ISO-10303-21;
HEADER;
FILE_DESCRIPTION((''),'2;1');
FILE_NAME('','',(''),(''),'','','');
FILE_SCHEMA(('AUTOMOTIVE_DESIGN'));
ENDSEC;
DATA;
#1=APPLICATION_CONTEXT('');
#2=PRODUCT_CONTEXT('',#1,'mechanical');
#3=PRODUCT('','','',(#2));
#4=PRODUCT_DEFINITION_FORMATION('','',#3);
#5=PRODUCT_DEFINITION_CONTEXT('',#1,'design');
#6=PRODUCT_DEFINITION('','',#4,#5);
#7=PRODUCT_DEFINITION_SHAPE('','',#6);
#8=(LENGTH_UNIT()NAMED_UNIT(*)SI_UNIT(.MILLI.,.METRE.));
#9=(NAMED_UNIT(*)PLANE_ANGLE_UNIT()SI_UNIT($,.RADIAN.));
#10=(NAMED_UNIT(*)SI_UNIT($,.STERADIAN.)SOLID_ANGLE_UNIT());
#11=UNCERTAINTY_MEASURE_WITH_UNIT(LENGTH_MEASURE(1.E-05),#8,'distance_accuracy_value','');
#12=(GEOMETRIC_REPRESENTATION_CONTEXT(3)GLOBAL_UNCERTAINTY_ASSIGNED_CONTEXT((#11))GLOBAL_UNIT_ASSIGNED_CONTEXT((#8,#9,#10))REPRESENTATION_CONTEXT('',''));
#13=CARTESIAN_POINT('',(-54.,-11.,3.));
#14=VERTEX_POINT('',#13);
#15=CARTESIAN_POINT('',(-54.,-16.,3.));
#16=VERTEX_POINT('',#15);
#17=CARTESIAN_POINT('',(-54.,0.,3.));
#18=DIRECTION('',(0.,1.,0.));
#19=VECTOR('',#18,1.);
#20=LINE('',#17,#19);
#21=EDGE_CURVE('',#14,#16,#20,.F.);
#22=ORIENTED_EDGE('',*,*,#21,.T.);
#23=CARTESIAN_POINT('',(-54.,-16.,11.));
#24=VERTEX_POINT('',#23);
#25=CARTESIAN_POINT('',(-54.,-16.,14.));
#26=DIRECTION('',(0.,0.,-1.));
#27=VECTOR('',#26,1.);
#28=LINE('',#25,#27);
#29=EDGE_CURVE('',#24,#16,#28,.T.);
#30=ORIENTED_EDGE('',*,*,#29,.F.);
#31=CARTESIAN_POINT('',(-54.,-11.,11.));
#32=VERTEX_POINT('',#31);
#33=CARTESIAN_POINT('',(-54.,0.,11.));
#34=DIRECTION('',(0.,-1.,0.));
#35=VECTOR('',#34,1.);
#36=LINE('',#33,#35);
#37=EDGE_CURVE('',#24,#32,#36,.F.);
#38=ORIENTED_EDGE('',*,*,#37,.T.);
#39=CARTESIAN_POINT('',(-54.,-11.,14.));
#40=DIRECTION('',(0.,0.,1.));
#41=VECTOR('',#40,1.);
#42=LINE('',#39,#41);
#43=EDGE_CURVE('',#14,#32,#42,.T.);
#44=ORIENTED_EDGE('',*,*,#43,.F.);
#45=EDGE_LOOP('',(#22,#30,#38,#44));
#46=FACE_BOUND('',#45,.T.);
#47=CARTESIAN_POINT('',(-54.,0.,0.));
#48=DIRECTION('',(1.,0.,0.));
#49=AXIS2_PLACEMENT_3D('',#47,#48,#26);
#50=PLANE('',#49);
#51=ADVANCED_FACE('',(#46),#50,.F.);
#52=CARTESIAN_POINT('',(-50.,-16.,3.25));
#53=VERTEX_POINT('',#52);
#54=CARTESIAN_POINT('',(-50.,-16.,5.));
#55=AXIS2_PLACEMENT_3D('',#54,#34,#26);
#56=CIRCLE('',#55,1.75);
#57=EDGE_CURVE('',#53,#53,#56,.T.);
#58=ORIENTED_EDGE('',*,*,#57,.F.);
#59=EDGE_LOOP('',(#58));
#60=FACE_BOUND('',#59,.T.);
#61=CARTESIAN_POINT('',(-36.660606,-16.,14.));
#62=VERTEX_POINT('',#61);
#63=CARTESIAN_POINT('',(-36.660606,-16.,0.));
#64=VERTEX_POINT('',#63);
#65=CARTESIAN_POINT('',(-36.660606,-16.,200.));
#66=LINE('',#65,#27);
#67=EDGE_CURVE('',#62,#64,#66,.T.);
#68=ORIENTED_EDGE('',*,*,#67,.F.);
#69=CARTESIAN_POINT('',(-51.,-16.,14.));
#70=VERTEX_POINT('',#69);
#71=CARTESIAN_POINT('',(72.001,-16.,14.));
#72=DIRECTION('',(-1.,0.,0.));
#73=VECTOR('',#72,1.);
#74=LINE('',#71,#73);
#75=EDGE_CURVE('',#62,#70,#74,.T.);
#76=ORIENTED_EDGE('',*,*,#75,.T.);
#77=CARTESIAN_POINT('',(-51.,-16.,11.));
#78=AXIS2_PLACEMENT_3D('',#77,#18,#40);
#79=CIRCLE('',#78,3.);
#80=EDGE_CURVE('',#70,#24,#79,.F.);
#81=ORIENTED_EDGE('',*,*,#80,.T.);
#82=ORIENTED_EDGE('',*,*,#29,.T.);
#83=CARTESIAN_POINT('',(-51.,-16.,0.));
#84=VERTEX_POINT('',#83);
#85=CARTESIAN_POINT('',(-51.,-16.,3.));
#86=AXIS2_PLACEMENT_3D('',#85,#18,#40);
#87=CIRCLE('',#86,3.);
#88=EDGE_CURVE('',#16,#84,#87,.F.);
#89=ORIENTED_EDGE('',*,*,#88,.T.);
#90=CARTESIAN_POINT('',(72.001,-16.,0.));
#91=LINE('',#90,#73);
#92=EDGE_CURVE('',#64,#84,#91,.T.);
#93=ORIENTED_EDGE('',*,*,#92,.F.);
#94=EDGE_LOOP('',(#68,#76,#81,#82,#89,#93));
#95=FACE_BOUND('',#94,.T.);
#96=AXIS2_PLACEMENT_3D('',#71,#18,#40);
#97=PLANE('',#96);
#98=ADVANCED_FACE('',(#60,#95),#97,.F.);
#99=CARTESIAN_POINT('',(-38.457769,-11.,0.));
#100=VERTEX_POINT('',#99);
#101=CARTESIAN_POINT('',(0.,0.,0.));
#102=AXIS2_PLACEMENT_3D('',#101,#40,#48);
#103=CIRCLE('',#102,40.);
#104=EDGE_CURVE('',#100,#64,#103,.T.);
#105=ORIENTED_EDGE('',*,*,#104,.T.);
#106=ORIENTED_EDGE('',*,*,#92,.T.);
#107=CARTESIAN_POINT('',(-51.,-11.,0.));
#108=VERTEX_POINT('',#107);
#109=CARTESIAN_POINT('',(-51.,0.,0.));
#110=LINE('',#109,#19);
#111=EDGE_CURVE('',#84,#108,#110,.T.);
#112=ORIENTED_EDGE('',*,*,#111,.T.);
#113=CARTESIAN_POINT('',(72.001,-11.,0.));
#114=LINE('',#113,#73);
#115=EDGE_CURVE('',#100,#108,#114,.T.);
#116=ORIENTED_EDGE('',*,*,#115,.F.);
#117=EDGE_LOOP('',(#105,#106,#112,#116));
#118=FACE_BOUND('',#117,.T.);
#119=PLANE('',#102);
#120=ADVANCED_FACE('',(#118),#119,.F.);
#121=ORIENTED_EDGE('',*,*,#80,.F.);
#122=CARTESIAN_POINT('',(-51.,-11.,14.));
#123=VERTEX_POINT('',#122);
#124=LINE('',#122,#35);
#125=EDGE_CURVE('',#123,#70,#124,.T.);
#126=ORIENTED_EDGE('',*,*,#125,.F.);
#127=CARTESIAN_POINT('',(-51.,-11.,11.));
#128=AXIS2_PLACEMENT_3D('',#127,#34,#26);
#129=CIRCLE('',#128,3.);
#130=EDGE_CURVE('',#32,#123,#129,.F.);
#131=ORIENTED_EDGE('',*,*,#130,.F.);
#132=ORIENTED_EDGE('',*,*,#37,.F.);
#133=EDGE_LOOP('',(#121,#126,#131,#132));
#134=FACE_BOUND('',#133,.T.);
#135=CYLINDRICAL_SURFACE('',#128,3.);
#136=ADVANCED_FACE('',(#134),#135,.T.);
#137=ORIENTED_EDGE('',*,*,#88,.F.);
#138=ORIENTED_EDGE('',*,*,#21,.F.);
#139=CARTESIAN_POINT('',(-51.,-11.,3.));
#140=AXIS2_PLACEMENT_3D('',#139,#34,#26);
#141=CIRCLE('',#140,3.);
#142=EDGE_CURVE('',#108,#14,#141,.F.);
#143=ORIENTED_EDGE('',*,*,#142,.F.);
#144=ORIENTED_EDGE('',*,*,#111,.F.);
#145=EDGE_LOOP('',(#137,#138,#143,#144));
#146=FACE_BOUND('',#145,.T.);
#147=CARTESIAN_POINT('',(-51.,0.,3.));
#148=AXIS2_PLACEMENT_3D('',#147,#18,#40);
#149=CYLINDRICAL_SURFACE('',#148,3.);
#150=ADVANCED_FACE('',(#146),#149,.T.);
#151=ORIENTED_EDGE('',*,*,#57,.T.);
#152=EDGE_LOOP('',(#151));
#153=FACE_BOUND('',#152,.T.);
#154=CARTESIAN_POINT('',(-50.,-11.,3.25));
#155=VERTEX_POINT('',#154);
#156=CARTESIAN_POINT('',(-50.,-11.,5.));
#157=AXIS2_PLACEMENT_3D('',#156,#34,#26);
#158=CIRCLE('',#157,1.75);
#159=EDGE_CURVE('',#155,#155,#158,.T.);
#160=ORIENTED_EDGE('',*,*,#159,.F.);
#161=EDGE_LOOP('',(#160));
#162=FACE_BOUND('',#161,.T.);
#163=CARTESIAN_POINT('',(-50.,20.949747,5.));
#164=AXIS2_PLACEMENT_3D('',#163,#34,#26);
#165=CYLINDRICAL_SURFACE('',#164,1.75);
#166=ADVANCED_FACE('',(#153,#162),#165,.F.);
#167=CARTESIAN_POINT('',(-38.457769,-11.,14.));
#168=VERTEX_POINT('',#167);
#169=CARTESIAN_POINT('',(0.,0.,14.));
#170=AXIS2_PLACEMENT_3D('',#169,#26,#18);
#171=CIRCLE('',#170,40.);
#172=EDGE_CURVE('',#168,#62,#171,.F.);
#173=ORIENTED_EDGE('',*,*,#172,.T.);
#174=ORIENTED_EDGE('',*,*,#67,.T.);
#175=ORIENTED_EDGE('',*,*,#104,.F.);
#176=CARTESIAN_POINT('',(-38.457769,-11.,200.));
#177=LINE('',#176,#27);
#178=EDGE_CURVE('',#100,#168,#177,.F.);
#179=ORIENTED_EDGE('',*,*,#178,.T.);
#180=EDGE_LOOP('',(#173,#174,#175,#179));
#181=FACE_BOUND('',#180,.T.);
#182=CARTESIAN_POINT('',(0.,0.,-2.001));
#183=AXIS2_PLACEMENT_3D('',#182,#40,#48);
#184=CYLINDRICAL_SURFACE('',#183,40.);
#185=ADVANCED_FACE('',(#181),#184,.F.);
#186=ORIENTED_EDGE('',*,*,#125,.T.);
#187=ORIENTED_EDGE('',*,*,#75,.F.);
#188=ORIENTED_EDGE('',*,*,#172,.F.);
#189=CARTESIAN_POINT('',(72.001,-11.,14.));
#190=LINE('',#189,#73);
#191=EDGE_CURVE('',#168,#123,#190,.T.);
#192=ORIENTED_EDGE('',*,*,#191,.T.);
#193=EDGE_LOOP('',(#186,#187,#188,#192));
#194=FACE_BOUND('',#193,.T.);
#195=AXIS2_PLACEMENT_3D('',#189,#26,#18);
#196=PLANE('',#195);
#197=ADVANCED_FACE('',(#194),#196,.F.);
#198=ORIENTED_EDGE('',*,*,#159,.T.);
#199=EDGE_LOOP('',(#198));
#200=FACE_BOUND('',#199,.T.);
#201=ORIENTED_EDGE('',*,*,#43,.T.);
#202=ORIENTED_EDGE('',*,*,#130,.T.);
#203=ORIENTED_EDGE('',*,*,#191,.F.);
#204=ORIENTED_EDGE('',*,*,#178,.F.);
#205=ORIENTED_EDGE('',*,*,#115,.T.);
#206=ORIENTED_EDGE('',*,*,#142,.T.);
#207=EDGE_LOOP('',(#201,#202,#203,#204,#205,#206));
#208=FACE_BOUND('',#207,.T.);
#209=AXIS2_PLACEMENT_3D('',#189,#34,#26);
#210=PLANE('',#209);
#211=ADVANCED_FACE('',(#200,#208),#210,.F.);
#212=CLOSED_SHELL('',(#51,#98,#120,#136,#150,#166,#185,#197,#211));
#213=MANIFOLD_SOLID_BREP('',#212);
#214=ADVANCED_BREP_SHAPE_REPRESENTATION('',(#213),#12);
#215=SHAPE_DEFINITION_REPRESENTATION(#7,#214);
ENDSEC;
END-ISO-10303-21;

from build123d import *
from build123d.topology import SkipClean

# Parameters (mm, degrees)
SKETCH1_R                      = 40
SKETCH1_R_2                    = 38
BOSS_EXTRUDE1_DEPTH            = 200
SKETCH2_R                      = 40
BOSS_EXTRUDE2_DEPTH            = 2
BOSS_EXTRUDE3_DEPTH            = 107
BOSS_EXTRUDE4_DEPTH            = 2
SKETCH5_R                      = 1.75
CUT_EXTRUDE1_DEPTH             = 225.428162226
CUT_EXTRUDE2_REACH             = 218.296
SKETCH6_R                      = 4
CUT_EXTRUDE2_DIRECTION_2_REACH = 218.296
CIRPATTERN1_COUNT              = 2
CIRPATTERN1_ANGLE              = 90
BOSS_EXTRUDE5_REACH            = 241.742
BOSS_EXTRUDE5_END_RADIUS       = 40
SKETCH7_W                      = 14
SKETCH7_H                      = 5
CUT_EXTRUDE3_REACH             = 221.818
SKETCH8_R                      = 1.75
FILLET1_R                      = 3
CUT_EXTRUDE4_REACH             = 220.598
SKETCH9_R                      = 0.25
BOSS_EXTRUDE6_START            = 2
BOSS_EXTRUDE6_DEPTH            = 2
CUT_EXTRUDE5_REACH             = 220.147


with BuildPart() as part:
    # Sketch1 → Boss-Extrude1 (new body)
    with BuildSketch(Plane.XY):
        Circle(SKETCH1_R)
        Circle(SKETCH1_R_2, mode=Mode.SUBTRACT)
    extrude(amount=BOSS_EXTRUDE1_DEPTH)

    # Sketch2 → Boss-Extrude2 (add)
    with BuildSketch(Plane.XY.offset(180)):
        Circle(SKETCH2_R)
    extrude(amount=BOSS_EXTRUDE2_DEPTH)

    # Sketch3 → Boss-Extrude3 (add)
    with BuildSketch(Plane(origin=(0, 0, 0), x_dir=(-1, 0, 0), z_dir=(0, 0, -1))):
        with BuildLine():
            Line((-24, -32), (-72, -32))
            Line((-72, -32), (-72, -30))
            Line((-72, -30), (-26.457513111, -30))
            ThreePointArc((-26.457513111, -30), (-25.248567431, -31.024342744), (-24, -32))
        make_face()
        with BuildLine():
            Line((-24, 32), (-72, 32))
            Line((-72, 32), (-72, 30))
            Line((-72, 30), (-26.457513111, 30))
            ThreePointArc((-26.457513111, 30), (-25.248567431, 31.024342744), (-24, 32))
        make_face()
    extrude(amount=-BOSS_EXTRUDE3_DEPTH)

    # Sketch4 → Boss-Extrude4 (add)
    with BuildSketch(Plane.XY.offset(107)):
        with BuildLine():
            Line((72, -32), (24, -32))
            ThreePointArc((24, -32), (40, 0), (24, 32))
            Line((24, 32), (72, 32))
            Line((72, 32), (72, -32))
        make_face()
    extrude(amount=BOSS_EXTRUDE4_DEPTH)

    # Sketch5 → Cut-Extrude1 (cut, through all)
    with BuildSketch(Plane(origin=(0, 32, 0), x_dir=(1, 0, 0), z_dir=(0, 1, 0))):
        with Locations(Location((43.5, -102.5, 0), (0, 0, 270))):
            Circle(SKETCH5_R)
        with Locations(Location((43.5, -3.5, 0), (0, 0, 270))):
            Circle(SKETCH5_R)
        with Locations(Location((68.5, -78, 0), (0, 0, 270))):
            Circle(SKETCH5_R)
    extrude(amount=-CUT_EXTRUDE1_DEPTH, mode=Mode.SUBTRACT)

    # Sketch6 → Cut-Extrude2 (cut, up to next)
    with BuildSketch(Plane(origin=(0, 0, 0), x_dir=(0, 0, 1), z_dir=(-0.7071067811865488, 0.7071067811865464, 0)), mode=Mode.PRIVATE) as cut_extrude2_sk1:
        with Locations(Location((187, 0, 0), (0, 0, 90))):
            Circle(SKETCH6_R)
    cut_extrude2_tool1 = extrude(cut_extrude2_sk1.sketch, amount=-CUT_EXTRUDE2_REACH, mode=Mode.PRIVATE) & part.part
    cut_extrude2 = cut_extrude2_tool1.solids().sort_by_distance((0, 0, 187))[0]
    add(cut_extrude2, mode=Mode.SUBTRACT)

    # Sketch6 → Cut-Extrude2 direction 2 (cut, up to next)
    with BuildSketch(Plane(origin=(0, 0, 0), x_dir=(0, 0, 1), z_dir=(-0.7071067811865488, 0.7071067811865464, 0)), mode=Mode.PRIVATE) as cut_extrude2_direction_2_sk1:
        with Locations(Location((187, 0, 0), (0, 0, 90))):
            Circle(SKETCH6_R)
    cut_extrude2_direction_2_tool1 = extrude(cut_extrude2_direction_2_sk1.sketch, amount=CUT_EXTRUDE2_DIRECTION_2_REACH, mode=Mode.PRIVATE) & part.part
    cut_extrude2_direction_2 = cut_extrude2_direction_2_tool1.solids().sort_by_distance((0, 0, 187))[0]
    add(cut_extrude2_direction_2, mode=Mode.SUBTRACT)

    # CirPattern1: Cut-Extrude2, Cut-Extrude2 direction 2 ×2 about axis
    cirpattern1_axis = Axis((0, 0, -0.7), (0, 0, 1))
    add([cut_extrude2.rotate(cirpattern1_axis, i * CIRPATTERN1_ANGLE / (CIRPATTERN1_COUNT - 1)) for i in range(1, CIRPATTERN1_COUNT)], mode=Mode.SUBTRACT)
    add([cut_extrude2_direction_2.rotate(cirpattern1_axis, i * CIRPATTERN1_ANGLE / (CIRPATTERN1_COUNT - 1)) for i in range(1, CIRPATTERN1_COUNT)], mode=Mode.SUBTRACT)

    # Boss-Extrude5: up to this cylinder (the profile starts outside it)
    boss_extrude5_end = Plane(origin=(0, 0, 7), z_dir=(0, 0, -1)) * Cylinder(BOSS_EXTRUDE5_END_RADIUS, 564.484, mode=Mode.PRIVATE)
    # Sketch7 → Boss-Extrude5 (add, up to the surface)
    with BuildSketch(Plane(origin=(-54, 0, 0), x_dir=(0, 0, -1), z_dir=(1, 0, 0)), mode=Mode.PRIVATE) as boss_extrude5_sk1:
        with Locations((-7, -13.5)):
            Rectangle(SKETCH7_W, SKETCH7_H)
    boss_extrude5_tool1 = extrude(boss_extrude5_sk1.sketch, amount=BOSS_EXTRUDE5_REACH, mode=Mode.PRIVATE) - boss_extrude5_end
    add(boss_extrude5_tool1.solids().sort_by_distance((-54, -13.5, 7))[0])
    # Sketch7 → Boss-Extrude5 (add, up to the surface)
    with BuildSketch(Plane(origin=(-54, 0, 0), x_dir=(0, 0, -1), z_dir=(1, 0, 0)), mode=Mode.PRIVATE) as boss_extrude5_sk2:
        with Locations((-7, 13.5)):
            Rectangle(SKETCH7_W, SKETCH7_H)
    boss_extrude5_tool2 = extrude(boss_extrude5_sk2.sketch, amount=BOSS_EXTRUDE5_REACH, mode=Mode.PRIVATE) - boss_extrude5_end
    add(boss_extrude5_tool2.solids().sort_by_distance((-54, 13.5, 7))[0])

    # Cut-Extrude3: up to this face of the body (flat: up to its plane)
    cut_extrude3_end = Plane(part.part.faces().sort_by_distance((-45.33030278, 16, 7))[0])
    # Sketch8 → Cut-Extrude3 (cut, up to the picked face)
    with BuildSketch(Plane.XZ.offset(16), mode=Mode.PRIVATE) as cut_extrude3_sk1:
        with Locations(Location((-50, 5, 0), (0, 0, 270))):
            Circle(SKETCH8_R)
    cut_extrude3_tool1 = split(extrude(cut_extrude3_sk1.sketch, amount=-CUT_EXTRUDE3_REACH, mode=Mode.PRIVATE), bisect_by=cut_extrude3_end, keep=Keep.BOTH, mode=Mode.PRIVATE)
    add(cut_extrude3_tool1.solids().sort_by(Axis((-50, -16, 5), (0, 1, 0)))[0], mode=Mode.SUBTRACT)

    # Fillet1
    fillet1_edges = [part.edges().sort_by_distance(p)[0] for p in [
        (-54, -13.5, 14),
        (-54, -13.5, 0),
        (-54, 13.5, 0),
        (-54, 13.5, 14),
    ]]
    fillet(fillet1_edges, radius=FILLET1_R)

    # Sketch9 → Cut-Extrude4 (cut, up to next)
    with BuildSketch(Plane.XZ.offset(-11), mode=Mode.PRIVATE) as cut_extrude4_sk1:
        with Locations(Location((-44, 7, 0), (0, 0, 270))):
            Circle(SKETCH9_R)
    cut_extrude4_tool1 = extrude(cut_extrude4_sk1.sketch, amount=-CUT_EXTRUDE4_REACH, mode=Mode.PRIVATE) & part.part
    add(cut_extrude4_tool1.solids().sort_by_distance((-44, 11, 7))[0], mode=Mode.SUBTRACT)

    # Sketch10 → Boss-Extrude6 (add)
    with SkipClean():  # the faces are left unmerged after this step: merging them gives an invalid solid
        with BuildSketch(Plane(origin=(0, 0, 0), x_dir=(-1, 0, 0), z_dir=(0, 0, -1)).offset(BOSS_EXTRUDE6_START)):
            with BuildLine():
                ThreePointArc((10, -36.66060556), (0, -38), (-10, -36.66060556))
                Line((-10, -36.66060556), (-10, -38.729833462))
                ThreePointArc((-10, -38.729833462), (0, -40), (10, -38.729833462))
                Line((10, -38.729833462), (10, -36.66060556))
            make_face()
            with BuildLine():
                ThreePointArc((10, 38.729833462), (0, 40), (-10, 38.729833462))
                Line((-10, 38.729833462), (-10, 36.66060556))
                ThreePointArc((-10, 36.66060556), (0, 38), (10, 36.66060556))
                Line((10, 36.66060556), (10, 38.729833462))
            make_face()
        extrude(amount=-BOSS_EXTRUDE6_DEPTH)

    # Sketch11 → Cut-Extrude5 (cut, up to next)
    with BuildSketch(Plane.XY.offset(200), mode=Mode.PRIVATE) as cut_extrude5_sk1:
        with BuildLine():
            ThreePointArc((-39.953981252, 1.918171548), (-25.55703566, -30.770731683), (9.219033253, -38.923121996))
            ThreePointArc((9.219033253, -38.923121996), (103.998908328, 0), (9.219033253, 38.923121996))
            ThreePointArc((9.219033253, 38.923121996), (4.476281437, 39.748747207), (-0.331307503, 39.998627918))
            ThreePointArc((-0.331307503, 39.998627918), (-96.996927129, 100.925197981), (-39.953981252, 1.918171548))
        make_face()
    cut_extrude5_tool1 = extrude(cut_extrude5_sk1.sketch, amount=-CUT_EXTRUDE5_REACH, mode=Mode.PRIVATE) & part.part
    add(cut_extrude5_tool1.solids().sort_by_distance((-7.679141, 27.95673, 200))[0], mode=Mode.SUBTRACT)


solid = part.part
